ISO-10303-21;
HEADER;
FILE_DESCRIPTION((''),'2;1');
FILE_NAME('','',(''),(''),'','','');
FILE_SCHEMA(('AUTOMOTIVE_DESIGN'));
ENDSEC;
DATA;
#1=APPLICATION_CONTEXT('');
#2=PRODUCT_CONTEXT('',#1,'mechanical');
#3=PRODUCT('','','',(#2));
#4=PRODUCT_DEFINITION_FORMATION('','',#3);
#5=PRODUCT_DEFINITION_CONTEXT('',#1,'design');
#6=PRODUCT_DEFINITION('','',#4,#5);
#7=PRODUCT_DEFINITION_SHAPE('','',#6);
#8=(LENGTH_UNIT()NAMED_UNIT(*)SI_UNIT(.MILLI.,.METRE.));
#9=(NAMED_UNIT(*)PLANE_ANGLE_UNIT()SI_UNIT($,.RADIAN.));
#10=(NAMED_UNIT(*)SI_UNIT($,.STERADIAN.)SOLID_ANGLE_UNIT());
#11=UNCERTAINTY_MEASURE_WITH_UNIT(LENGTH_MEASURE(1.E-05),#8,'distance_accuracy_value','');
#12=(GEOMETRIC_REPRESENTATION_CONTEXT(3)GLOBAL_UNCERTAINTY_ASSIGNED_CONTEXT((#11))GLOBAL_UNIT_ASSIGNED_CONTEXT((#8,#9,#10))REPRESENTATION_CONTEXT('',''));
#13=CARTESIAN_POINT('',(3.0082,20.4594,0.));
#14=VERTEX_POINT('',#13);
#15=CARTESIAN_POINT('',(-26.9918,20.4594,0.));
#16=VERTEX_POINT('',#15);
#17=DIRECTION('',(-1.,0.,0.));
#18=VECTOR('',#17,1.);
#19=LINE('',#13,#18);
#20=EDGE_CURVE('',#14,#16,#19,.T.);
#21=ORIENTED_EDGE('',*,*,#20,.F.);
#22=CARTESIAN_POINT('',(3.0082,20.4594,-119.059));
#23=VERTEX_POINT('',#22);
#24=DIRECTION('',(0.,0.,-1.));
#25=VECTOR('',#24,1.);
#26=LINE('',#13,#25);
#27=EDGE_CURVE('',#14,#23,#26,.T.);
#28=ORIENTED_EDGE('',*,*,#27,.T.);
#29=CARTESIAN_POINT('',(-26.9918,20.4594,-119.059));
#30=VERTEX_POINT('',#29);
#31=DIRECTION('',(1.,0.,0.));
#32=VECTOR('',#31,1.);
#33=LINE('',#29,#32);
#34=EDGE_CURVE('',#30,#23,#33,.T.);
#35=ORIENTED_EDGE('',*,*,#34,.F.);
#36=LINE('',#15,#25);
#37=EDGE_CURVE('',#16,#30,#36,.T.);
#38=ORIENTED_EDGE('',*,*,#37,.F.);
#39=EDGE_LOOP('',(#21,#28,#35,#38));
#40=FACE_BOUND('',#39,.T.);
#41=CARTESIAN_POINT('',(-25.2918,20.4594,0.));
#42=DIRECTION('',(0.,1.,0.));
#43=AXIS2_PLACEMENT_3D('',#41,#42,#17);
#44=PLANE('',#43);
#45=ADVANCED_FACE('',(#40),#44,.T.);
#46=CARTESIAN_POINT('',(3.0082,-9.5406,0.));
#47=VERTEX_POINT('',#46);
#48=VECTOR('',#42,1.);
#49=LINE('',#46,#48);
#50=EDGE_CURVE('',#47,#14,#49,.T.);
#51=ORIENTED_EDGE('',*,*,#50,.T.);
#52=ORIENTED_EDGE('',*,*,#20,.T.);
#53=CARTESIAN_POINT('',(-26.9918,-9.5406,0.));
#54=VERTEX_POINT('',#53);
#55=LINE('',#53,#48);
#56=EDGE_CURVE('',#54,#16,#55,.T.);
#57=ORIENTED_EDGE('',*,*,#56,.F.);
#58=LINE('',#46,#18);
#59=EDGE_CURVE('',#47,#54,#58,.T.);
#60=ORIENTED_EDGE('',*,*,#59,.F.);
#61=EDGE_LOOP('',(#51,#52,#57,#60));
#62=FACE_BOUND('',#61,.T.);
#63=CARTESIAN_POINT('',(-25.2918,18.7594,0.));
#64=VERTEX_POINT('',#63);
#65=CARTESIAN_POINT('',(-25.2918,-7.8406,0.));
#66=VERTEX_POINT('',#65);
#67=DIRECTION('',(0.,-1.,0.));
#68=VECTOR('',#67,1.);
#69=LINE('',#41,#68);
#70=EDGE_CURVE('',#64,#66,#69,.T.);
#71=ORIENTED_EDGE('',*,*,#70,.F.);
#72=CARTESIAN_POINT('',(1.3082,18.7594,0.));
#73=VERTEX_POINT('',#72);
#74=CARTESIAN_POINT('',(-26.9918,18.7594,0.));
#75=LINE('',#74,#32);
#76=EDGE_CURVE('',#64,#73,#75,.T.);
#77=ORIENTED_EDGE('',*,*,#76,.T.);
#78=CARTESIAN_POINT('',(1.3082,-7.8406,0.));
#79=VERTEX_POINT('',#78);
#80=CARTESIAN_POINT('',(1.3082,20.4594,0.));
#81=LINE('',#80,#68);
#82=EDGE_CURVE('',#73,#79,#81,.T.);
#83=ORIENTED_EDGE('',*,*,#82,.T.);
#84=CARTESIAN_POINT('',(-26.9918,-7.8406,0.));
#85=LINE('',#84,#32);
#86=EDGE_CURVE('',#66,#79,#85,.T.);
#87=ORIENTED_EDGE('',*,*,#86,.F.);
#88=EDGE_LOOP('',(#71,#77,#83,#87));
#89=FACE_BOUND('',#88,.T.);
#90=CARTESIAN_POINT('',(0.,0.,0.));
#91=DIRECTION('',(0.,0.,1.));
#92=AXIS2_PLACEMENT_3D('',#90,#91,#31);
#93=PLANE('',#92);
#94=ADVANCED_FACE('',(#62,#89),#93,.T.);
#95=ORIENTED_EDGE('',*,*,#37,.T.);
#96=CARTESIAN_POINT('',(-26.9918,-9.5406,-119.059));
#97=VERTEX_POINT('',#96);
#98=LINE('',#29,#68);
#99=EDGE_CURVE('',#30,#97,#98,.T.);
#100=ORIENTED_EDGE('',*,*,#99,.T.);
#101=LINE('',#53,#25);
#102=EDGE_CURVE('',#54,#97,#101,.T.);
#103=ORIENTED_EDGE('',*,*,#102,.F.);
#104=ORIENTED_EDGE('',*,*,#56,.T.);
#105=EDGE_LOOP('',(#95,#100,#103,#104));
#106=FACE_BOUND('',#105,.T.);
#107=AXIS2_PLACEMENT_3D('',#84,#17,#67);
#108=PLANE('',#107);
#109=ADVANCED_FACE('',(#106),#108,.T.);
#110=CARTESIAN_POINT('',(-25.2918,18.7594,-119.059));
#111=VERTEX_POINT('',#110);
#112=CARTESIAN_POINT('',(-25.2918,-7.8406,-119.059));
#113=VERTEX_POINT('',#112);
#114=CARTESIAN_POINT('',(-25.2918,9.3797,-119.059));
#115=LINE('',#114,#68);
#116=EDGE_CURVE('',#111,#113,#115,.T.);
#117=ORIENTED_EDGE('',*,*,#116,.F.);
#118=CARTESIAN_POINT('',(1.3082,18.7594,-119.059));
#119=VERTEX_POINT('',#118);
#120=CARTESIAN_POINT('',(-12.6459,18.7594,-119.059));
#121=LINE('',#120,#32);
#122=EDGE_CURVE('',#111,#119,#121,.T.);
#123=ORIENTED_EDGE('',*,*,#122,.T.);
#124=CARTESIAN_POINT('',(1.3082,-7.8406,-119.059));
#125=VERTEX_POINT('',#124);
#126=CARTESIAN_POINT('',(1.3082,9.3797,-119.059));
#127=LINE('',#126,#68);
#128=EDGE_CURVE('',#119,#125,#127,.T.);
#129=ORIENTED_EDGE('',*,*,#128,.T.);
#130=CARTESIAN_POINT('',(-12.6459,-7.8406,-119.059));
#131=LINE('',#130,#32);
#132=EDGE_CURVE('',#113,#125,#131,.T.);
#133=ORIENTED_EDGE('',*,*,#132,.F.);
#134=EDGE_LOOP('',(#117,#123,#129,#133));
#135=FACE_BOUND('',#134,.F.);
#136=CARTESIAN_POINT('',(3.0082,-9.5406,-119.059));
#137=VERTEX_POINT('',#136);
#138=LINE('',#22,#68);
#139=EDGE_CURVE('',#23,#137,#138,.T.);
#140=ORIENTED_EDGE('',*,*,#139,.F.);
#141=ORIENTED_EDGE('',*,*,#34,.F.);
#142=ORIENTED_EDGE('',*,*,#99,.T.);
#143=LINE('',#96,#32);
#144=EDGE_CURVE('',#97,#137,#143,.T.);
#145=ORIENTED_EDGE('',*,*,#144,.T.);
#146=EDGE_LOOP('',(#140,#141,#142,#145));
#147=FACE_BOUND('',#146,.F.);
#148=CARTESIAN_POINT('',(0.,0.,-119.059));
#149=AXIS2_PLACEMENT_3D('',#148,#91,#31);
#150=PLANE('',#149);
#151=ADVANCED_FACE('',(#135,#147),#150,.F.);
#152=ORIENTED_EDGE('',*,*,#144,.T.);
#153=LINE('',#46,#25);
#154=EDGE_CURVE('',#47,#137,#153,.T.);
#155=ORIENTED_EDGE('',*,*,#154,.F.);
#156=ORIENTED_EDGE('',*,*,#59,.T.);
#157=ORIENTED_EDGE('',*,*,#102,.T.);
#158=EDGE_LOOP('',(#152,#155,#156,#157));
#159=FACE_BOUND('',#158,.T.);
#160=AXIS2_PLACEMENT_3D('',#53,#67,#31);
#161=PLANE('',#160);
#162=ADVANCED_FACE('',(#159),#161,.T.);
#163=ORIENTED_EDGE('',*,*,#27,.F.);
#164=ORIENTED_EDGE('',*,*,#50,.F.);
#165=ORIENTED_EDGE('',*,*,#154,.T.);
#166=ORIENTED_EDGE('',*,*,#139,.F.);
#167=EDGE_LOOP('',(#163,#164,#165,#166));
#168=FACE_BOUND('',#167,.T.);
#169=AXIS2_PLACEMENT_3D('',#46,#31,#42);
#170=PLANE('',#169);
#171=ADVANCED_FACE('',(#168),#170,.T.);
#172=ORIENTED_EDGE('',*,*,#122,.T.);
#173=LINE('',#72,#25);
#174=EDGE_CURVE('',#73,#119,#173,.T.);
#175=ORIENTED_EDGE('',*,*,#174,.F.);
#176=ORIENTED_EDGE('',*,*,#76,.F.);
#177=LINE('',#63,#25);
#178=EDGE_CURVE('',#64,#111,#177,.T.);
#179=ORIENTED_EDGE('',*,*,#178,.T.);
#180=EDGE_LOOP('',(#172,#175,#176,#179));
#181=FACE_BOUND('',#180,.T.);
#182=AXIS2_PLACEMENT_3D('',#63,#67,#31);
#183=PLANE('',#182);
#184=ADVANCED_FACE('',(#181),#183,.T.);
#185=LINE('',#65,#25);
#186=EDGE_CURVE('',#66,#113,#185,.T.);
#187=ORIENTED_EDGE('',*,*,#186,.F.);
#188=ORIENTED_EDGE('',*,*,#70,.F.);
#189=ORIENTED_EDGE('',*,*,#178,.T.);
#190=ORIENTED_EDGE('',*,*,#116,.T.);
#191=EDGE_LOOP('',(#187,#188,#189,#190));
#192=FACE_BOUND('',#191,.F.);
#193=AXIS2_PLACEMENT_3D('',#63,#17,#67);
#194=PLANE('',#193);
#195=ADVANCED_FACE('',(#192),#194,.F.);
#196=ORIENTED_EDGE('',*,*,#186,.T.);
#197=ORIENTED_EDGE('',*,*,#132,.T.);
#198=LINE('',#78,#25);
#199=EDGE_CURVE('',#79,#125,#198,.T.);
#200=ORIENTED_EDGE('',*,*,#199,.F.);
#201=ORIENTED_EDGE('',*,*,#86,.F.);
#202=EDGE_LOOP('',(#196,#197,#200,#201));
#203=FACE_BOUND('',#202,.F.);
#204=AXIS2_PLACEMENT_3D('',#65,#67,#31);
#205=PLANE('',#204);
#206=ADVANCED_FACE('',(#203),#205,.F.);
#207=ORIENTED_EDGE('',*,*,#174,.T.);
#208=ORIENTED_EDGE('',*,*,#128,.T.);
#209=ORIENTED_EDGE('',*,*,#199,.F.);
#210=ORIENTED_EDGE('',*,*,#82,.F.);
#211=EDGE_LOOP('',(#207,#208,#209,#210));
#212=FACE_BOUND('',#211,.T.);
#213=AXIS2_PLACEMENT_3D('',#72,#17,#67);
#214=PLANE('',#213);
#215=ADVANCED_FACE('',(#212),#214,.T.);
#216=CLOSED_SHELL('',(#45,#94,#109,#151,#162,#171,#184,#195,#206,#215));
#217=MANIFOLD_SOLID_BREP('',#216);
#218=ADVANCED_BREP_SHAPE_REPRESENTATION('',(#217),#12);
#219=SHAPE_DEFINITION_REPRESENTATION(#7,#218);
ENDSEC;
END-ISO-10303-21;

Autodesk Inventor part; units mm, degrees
ref_plane "YZ Plane" through (0, 0, 0) normal (1, 0, 0) x (0, 1, 0)
ref_plane "XZ Plane" through (0, 0, 0) normal (0, 1, 0) x (-1, 0, 0)
ref_plane "XY Plane" through (0, 0, 0) normal (0, 0, 1) x (1, 0, 0)
sketch "Sketch1" plane through (0, 0, 0) normal (0, 0, 1) x (1, 0, 0)
  line L0 (-26.9918, -9.5406) -> (3.0082, -9.5406)
  line L1 (3.0082, -9.5406) -> (3.0082, 20.4594)
  line L2 (3.0082, 20.4594) -> (-26.9918, 20.4594)
  line L3 (-26.9918, 20.4594) -> (-26.9918, -9.5406)
  line L4 (1.3082, 20.4594) -> (1.3082, -9.5406)
  line L5 (-26.9918, -7.8406) -> (3.0082, -7.8406)
  line L6 (-25.2918, 20.4594) -> (-25.2918, -9.5406)
  line L7 (-26.9918, 18.7594) -> (3.0082, 18.7594)
  point P0 (0, 0)
  point P1 (1.3082, 18.7594)
  point P2 (-25.2918, 18.7594)
  point P3 (-25.2918, -7.8406)
  point P4 (1.3082, -7.8406)
  dimension "d0" = 30
  dimension "d1" = 30
  dimension "d4" = 1.7
  dimension "d5" = 1.7
  dimension "d6" = 1.7
  dimension "d7" = 1.7
extrude "Extrusion1" add sketch "Sketch1" against normal blind 119.059
extrude "Extrusion2" cut sketch "Sketch1" against normal blind 160 contours L6 L7 L4 L5
properties part number "Pasabable Ranurado 30 x 30 L = 430" material "PVC-Piping"
